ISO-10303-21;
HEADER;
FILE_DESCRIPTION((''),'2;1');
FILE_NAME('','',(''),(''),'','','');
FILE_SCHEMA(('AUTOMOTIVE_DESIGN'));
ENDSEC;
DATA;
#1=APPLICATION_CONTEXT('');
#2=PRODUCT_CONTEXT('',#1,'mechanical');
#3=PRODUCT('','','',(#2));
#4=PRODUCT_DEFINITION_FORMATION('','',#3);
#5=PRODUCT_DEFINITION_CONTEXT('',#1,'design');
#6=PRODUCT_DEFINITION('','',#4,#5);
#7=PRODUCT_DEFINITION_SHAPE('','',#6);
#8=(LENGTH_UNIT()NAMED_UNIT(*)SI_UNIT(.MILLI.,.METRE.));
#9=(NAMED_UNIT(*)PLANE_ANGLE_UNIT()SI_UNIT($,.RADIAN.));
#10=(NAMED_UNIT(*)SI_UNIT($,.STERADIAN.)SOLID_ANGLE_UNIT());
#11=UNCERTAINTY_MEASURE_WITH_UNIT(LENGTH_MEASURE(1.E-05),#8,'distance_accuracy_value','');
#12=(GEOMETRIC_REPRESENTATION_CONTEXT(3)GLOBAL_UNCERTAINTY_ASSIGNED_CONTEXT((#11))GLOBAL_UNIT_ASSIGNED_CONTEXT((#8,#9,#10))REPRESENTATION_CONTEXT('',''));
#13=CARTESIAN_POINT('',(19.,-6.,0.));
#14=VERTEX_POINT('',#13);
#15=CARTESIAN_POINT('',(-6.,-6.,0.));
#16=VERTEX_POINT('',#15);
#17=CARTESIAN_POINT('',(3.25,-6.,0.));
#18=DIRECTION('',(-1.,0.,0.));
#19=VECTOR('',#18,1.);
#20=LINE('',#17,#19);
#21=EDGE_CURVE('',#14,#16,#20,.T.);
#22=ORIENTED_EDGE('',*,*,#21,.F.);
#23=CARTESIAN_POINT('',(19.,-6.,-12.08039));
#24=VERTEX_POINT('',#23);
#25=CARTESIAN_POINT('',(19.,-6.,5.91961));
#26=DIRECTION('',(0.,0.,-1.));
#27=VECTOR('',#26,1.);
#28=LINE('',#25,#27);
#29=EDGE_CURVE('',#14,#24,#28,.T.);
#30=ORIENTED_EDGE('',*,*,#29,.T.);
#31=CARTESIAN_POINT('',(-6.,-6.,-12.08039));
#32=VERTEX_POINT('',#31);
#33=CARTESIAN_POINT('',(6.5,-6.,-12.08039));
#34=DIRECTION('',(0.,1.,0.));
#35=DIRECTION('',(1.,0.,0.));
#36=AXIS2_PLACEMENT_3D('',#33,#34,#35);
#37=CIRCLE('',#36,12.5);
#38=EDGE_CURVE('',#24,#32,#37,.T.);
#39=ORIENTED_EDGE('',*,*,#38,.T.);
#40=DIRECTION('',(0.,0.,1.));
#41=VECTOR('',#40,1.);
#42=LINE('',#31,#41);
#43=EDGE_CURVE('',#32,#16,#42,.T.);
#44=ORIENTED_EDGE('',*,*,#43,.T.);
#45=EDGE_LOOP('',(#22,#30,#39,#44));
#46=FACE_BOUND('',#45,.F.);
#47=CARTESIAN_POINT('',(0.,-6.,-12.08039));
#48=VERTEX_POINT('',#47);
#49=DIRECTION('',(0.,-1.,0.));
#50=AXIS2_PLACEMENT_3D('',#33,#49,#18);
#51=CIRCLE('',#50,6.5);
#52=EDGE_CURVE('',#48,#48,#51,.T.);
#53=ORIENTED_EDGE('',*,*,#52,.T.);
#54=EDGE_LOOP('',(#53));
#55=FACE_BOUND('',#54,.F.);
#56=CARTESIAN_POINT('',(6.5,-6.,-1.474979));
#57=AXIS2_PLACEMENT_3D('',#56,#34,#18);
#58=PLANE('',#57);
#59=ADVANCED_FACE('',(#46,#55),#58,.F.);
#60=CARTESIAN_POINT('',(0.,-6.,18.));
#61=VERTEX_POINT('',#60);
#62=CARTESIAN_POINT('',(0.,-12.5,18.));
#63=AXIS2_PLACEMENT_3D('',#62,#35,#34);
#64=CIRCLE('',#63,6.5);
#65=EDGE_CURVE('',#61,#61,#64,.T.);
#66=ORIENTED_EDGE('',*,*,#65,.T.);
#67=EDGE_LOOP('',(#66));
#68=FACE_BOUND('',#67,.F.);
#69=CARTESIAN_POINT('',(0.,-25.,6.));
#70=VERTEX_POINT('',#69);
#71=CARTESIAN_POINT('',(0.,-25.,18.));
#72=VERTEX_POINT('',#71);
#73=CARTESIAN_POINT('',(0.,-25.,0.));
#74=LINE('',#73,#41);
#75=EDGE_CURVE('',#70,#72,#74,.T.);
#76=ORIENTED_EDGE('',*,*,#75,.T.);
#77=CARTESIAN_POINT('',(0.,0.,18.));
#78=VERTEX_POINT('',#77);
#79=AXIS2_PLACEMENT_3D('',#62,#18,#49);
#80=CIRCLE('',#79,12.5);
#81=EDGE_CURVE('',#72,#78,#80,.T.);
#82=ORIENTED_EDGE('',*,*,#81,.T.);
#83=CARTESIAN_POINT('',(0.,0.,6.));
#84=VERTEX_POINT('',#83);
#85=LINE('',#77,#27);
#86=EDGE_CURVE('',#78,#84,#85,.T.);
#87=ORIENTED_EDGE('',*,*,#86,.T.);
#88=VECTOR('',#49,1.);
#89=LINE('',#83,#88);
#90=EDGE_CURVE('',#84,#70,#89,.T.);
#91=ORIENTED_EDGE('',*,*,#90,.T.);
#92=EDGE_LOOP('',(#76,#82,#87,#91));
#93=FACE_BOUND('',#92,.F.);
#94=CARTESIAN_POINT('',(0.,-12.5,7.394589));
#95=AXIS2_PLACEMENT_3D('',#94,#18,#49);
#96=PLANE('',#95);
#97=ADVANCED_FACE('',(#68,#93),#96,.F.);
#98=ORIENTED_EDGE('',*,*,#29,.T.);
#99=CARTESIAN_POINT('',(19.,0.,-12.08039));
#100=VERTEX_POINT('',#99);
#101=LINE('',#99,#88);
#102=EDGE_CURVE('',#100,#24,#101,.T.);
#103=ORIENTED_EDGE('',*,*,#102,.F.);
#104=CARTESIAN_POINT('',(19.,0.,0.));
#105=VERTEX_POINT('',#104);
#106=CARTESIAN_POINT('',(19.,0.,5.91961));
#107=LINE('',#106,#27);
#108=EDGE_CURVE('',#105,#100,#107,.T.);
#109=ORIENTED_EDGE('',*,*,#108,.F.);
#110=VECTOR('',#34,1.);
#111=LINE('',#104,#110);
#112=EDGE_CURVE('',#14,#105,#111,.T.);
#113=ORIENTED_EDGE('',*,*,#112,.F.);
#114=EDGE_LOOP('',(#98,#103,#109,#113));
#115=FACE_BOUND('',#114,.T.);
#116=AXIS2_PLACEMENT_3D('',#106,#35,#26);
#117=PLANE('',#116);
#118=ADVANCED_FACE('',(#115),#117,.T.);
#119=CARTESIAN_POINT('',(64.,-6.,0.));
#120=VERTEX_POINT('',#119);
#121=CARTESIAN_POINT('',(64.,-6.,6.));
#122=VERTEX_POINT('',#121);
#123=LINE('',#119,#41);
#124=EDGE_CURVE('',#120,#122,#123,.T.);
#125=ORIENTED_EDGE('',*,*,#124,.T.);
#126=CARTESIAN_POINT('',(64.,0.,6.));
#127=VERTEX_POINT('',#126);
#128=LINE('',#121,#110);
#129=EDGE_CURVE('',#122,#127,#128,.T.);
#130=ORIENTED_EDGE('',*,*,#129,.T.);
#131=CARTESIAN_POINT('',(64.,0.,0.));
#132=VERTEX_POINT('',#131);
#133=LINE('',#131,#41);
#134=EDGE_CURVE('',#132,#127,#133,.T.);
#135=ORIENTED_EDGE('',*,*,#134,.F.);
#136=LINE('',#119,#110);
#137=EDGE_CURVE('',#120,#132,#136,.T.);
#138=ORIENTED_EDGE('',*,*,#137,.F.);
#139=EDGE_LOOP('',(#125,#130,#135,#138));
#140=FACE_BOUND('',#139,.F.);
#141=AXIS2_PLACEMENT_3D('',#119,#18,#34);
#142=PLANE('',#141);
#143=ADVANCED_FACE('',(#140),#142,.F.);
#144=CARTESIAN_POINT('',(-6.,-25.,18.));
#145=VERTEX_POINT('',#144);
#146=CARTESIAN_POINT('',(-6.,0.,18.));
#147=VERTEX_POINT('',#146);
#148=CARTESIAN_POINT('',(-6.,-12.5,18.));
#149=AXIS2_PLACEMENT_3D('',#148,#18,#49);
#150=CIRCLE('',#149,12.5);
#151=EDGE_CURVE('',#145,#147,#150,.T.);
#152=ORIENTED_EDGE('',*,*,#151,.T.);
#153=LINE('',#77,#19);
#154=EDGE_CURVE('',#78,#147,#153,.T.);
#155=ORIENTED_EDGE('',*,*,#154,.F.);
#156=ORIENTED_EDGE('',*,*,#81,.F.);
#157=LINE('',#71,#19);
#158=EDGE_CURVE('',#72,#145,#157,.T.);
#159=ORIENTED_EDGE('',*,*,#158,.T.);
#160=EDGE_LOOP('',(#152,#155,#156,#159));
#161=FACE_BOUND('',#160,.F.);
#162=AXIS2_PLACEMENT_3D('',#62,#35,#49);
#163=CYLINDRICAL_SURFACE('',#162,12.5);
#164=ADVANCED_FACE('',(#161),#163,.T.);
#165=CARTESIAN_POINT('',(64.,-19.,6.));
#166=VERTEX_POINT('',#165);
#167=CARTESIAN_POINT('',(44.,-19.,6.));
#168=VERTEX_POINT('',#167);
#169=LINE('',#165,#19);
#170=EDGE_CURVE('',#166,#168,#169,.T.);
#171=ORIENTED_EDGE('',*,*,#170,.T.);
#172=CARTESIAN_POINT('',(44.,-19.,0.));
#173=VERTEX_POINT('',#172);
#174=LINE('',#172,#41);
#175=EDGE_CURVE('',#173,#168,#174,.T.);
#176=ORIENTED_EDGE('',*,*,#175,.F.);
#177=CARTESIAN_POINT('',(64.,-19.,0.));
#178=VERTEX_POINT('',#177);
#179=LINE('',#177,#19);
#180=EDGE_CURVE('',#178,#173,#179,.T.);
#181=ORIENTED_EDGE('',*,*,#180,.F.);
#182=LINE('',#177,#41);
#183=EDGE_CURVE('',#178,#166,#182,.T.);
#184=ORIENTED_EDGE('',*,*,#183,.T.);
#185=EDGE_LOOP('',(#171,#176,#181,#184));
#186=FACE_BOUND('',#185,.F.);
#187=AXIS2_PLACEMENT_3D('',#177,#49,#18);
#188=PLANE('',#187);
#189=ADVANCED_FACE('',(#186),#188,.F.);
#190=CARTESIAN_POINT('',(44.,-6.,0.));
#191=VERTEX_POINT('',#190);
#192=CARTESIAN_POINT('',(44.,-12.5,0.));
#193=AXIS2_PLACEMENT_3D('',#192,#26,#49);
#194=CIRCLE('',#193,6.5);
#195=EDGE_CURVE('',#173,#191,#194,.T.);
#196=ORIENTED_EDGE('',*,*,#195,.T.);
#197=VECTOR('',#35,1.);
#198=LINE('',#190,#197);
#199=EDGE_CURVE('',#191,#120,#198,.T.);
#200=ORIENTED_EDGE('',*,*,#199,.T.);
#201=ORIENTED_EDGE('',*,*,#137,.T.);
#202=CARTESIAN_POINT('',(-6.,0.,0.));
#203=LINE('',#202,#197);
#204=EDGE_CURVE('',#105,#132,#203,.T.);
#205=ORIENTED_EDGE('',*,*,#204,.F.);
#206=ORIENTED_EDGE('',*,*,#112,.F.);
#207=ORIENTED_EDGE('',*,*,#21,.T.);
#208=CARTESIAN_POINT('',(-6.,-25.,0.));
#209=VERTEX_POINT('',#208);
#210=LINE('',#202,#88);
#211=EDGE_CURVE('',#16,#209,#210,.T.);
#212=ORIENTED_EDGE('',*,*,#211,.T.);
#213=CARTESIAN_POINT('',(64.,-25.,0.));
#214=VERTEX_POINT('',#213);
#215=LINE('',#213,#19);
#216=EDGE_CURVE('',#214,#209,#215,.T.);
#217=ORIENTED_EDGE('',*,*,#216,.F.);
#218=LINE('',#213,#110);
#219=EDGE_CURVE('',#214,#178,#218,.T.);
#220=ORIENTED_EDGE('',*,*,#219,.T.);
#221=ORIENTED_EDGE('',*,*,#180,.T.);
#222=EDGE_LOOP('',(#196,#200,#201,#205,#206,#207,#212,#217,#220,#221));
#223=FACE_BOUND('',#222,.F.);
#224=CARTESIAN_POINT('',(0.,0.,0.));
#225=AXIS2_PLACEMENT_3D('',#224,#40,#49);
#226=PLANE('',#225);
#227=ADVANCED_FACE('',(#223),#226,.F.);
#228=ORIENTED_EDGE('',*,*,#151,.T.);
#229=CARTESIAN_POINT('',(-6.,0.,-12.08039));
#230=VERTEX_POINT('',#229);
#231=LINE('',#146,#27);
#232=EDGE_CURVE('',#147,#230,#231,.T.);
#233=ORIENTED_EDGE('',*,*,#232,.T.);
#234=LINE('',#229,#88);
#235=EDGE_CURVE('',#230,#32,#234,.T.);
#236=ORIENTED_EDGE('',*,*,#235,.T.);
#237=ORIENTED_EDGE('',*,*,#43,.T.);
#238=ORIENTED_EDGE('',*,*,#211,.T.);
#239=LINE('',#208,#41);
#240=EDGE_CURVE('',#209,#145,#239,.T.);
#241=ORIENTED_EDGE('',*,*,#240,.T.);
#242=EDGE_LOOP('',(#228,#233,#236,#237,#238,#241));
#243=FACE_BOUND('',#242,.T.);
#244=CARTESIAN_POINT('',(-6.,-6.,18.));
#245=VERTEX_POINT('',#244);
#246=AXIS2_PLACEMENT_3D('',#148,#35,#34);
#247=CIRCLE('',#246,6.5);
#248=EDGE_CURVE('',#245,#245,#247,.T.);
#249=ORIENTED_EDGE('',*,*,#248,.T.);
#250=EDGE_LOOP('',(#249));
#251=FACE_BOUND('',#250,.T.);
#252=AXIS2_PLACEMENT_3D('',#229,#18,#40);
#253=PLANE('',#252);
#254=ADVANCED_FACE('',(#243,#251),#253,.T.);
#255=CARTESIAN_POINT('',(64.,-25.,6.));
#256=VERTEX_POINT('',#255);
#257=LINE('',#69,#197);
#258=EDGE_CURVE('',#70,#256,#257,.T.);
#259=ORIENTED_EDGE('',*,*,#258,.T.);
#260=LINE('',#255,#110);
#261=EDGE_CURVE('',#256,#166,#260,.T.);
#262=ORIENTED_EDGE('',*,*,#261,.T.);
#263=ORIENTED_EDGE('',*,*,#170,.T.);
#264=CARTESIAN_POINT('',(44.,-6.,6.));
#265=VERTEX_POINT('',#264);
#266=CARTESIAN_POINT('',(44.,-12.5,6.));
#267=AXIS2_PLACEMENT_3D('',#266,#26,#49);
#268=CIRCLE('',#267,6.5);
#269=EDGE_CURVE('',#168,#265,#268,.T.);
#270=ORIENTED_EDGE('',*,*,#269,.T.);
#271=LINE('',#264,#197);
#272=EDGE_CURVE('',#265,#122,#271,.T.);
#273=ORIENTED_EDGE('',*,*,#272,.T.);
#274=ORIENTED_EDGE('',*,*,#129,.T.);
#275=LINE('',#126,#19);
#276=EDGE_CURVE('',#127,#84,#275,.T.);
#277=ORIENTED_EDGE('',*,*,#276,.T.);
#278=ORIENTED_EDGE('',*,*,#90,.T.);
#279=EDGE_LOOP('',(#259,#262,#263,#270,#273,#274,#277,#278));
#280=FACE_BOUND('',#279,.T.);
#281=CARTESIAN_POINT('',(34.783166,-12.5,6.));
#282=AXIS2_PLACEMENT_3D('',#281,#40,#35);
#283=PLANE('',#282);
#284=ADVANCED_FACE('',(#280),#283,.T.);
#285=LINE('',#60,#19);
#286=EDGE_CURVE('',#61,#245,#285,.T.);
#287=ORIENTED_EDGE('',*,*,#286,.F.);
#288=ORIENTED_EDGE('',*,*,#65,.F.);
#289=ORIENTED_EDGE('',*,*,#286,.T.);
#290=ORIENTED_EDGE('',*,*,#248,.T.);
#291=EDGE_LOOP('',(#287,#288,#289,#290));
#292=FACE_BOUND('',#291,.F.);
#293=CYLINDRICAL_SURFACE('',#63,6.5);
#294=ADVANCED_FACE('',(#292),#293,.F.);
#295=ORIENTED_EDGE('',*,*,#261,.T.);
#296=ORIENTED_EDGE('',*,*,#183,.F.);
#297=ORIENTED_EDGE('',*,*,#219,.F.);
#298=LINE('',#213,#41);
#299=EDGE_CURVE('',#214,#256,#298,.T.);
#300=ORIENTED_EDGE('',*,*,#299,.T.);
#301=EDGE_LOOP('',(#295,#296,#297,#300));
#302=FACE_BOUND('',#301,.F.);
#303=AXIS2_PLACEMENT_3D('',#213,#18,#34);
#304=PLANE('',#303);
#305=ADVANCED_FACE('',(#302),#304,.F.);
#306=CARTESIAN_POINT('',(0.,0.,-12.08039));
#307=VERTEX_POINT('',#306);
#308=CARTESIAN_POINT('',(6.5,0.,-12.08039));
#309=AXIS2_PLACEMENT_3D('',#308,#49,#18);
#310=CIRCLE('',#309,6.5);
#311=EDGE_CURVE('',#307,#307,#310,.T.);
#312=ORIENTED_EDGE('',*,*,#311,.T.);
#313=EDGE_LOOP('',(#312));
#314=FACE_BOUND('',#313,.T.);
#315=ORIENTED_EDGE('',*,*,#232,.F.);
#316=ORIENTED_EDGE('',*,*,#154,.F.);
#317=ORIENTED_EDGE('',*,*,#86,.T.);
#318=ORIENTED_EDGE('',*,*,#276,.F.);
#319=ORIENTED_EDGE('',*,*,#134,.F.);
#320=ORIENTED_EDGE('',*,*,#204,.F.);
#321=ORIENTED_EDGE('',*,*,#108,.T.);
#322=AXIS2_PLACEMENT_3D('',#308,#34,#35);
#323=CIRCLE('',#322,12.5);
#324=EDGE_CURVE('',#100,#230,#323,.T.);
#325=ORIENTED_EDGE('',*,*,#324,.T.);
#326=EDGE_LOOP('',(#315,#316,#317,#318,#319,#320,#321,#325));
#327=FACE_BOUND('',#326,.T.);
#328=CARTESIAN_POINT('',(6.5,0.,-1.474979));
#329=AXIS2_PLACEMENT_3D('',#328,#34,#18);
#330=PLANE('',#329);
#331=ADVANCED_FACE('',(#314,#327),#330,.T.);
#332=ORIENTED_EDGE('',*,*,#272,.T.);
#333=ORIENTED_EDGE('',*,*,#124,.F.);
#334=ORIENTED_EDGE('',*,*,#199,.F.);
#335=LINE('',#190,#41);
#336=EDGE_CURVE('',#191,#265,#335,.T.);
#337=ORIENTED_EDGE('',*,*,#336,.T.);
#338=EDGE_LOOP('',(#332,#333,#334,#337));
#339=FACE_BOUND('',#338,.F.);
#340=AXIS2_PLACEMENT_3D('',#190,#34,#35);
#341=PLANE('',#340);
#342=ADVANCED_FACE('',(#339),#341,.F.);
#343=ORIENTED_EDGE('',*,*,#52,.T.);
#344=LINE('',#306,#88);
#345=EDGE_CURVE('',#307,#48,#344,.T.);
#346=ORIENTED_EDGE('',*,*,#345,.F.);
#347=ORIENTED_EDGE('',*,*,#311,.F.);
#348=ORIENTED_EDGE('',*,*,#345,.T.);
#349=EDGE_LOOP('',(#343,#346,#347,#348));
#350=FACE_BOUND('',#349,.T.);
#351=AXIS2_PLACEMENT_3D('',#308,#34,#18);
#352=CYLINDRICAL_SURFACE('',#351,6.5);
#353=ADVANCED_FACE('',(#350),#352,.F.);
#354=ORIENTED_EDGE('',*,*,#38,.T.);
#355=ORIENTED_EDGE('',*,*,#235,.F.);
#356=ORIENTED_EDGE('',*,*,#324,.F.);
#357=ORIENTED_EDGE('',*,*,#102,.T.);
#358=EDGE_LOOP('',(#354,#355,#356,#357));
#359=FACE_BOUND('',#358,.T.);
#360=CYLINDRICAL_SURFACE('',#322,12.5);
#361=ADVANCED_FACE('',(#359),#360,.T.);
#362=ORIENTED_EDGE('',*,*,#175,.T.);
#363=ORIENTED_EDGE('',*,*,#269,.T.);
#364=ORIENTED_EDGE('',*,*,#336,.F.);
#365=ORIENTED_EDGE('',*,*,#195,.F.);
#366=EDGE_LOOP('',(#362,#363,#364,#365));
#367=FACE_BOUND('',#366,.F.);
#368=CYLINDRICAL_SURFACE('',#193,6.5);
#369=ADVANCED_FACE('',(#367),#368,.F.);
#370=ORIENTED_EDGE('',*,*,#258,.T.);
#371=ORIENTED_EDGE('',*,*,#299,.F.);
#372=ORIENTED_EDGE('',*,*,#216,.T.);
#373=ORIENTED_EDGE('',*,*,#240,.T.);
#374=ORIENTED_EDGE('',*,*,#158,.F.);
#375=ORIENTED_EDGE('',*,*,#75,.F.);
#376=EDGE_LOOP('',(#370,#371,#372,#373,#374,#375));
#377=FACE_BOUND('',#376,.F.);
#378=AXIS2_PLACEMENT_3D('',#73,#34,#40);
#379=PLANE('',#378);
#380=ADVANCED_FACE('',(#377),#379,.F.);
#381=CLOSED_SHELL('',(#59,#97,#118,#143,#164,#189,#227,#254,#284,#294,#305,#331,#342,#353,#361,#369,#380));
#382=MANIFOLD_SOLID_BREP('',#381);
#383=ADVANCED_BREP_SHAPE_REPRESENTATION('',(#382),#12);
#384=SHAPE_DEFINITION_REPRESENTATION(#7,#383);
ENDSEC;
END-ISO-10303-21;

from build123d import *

# Parameters (mm, degrees)
F1_DEPTH = 6
F3_DEPTH = 6
F5_DEPTH = 6


with BuildPart() as f1:
    # F0 (on Top) → F1 (new body)
    with BuildSketch(Plane.XY):
        with BuildLine():
            Line((64, 0), (0, 0))
            Line((0, 0), (0, -25))
            Line((0, -25), (64, -25))
            Line((64, -25), (64, -19))
            Line((64, -19), (44, -19))
            ThreePointArc((44, -19), (37.5, -12.5), (44, -6))
            Line((44, -6), (64, -6))
            Line((64, -6), (64, 0))
        make_face()
    extrude(amount=F1_DEPTH)

    # F2 (on face) → F3 (join)
    with BuildSketch(Plane(origin=(0, 0, 0), x_dir=(0, -1, 0), z_dir=(-1, 0, 0))):
        with BuildLine():
            Line((0, 0), (25, 0))
            Line((25, 0), (25, 18))
            ThreePointArc((25, 18), (12.5, 5.5), (0, 18))
            Line((0, 18), (0, 0))
        make_face()
        with BuildLine():
            ThreePointArc((0, 18), (12.5, 5.5), (25, 18))
            Line((25, 18), (19, 18))
            ThreePointArc((19, 18), (12.5, 11.5), (6, 18))
            Line((6, 18), (0, 18))
        make_face()
        with BuildLine():
            Line((19, 18), (25, 18))
            ThreePointArc((25, 18), (12.5, 30.5), (0, 18))
            Line((0, 18), (6, 18))
            ThreePointArc((6, 18), (12.5, 24.5), (19, 18))
        make_face()
    extrude(amount=F3_DEPTH)

    # F4 (on face) → F5 (join)
    with BuildSketch(Plane(origin=(0, 0, 0), x_dir=(-1, 0, 0), z_dir=(0, 1, 0))):
        with BuildLine():
            Line((6, -12.0803898498), (6, 5.9196101502))
            Line((6, 5.9196101502), (-19, 5.9196101502))
            Line((-19, 5.9196101502), (-19, -12.0803898498))
            ThreePointArc((-19, -12.0803898498), (-6.5, 0.4196101502), (6, -12.0803898498))
        make_face()
        with BuildLine():
            ThreePointArc((-19, -12.0803898498), (-6.5, -24.5803898498), (6, -12.0803898498))
            Line((6, -12.0803898498), (0, -12.0803898498))
            ThreePointArc((0, -12.0803898498), (-6.5, -18.5803898498), (-13, -12.0803898498))
            Line((-13, -12.0803898498), (-19, -12.0803898498))
        make_face()
        with BuildLine():
            Line((0, -12.0803898498), (6, -12.0803898498))
            ThreePointArc((6, -12.0803898498), (-6.5, 0.4196101502), (-19, -12.0803898498))
            Line((-19, -12.0803898498), (-13, -12.0803898498))
            ThreePointArc((-13, -12.0803898498), (-6.5, -5.5803898498), (0, -12.0803898498))
        make_face()
    extrude(amount=-F5_DEPTH)


solid = f1.part
